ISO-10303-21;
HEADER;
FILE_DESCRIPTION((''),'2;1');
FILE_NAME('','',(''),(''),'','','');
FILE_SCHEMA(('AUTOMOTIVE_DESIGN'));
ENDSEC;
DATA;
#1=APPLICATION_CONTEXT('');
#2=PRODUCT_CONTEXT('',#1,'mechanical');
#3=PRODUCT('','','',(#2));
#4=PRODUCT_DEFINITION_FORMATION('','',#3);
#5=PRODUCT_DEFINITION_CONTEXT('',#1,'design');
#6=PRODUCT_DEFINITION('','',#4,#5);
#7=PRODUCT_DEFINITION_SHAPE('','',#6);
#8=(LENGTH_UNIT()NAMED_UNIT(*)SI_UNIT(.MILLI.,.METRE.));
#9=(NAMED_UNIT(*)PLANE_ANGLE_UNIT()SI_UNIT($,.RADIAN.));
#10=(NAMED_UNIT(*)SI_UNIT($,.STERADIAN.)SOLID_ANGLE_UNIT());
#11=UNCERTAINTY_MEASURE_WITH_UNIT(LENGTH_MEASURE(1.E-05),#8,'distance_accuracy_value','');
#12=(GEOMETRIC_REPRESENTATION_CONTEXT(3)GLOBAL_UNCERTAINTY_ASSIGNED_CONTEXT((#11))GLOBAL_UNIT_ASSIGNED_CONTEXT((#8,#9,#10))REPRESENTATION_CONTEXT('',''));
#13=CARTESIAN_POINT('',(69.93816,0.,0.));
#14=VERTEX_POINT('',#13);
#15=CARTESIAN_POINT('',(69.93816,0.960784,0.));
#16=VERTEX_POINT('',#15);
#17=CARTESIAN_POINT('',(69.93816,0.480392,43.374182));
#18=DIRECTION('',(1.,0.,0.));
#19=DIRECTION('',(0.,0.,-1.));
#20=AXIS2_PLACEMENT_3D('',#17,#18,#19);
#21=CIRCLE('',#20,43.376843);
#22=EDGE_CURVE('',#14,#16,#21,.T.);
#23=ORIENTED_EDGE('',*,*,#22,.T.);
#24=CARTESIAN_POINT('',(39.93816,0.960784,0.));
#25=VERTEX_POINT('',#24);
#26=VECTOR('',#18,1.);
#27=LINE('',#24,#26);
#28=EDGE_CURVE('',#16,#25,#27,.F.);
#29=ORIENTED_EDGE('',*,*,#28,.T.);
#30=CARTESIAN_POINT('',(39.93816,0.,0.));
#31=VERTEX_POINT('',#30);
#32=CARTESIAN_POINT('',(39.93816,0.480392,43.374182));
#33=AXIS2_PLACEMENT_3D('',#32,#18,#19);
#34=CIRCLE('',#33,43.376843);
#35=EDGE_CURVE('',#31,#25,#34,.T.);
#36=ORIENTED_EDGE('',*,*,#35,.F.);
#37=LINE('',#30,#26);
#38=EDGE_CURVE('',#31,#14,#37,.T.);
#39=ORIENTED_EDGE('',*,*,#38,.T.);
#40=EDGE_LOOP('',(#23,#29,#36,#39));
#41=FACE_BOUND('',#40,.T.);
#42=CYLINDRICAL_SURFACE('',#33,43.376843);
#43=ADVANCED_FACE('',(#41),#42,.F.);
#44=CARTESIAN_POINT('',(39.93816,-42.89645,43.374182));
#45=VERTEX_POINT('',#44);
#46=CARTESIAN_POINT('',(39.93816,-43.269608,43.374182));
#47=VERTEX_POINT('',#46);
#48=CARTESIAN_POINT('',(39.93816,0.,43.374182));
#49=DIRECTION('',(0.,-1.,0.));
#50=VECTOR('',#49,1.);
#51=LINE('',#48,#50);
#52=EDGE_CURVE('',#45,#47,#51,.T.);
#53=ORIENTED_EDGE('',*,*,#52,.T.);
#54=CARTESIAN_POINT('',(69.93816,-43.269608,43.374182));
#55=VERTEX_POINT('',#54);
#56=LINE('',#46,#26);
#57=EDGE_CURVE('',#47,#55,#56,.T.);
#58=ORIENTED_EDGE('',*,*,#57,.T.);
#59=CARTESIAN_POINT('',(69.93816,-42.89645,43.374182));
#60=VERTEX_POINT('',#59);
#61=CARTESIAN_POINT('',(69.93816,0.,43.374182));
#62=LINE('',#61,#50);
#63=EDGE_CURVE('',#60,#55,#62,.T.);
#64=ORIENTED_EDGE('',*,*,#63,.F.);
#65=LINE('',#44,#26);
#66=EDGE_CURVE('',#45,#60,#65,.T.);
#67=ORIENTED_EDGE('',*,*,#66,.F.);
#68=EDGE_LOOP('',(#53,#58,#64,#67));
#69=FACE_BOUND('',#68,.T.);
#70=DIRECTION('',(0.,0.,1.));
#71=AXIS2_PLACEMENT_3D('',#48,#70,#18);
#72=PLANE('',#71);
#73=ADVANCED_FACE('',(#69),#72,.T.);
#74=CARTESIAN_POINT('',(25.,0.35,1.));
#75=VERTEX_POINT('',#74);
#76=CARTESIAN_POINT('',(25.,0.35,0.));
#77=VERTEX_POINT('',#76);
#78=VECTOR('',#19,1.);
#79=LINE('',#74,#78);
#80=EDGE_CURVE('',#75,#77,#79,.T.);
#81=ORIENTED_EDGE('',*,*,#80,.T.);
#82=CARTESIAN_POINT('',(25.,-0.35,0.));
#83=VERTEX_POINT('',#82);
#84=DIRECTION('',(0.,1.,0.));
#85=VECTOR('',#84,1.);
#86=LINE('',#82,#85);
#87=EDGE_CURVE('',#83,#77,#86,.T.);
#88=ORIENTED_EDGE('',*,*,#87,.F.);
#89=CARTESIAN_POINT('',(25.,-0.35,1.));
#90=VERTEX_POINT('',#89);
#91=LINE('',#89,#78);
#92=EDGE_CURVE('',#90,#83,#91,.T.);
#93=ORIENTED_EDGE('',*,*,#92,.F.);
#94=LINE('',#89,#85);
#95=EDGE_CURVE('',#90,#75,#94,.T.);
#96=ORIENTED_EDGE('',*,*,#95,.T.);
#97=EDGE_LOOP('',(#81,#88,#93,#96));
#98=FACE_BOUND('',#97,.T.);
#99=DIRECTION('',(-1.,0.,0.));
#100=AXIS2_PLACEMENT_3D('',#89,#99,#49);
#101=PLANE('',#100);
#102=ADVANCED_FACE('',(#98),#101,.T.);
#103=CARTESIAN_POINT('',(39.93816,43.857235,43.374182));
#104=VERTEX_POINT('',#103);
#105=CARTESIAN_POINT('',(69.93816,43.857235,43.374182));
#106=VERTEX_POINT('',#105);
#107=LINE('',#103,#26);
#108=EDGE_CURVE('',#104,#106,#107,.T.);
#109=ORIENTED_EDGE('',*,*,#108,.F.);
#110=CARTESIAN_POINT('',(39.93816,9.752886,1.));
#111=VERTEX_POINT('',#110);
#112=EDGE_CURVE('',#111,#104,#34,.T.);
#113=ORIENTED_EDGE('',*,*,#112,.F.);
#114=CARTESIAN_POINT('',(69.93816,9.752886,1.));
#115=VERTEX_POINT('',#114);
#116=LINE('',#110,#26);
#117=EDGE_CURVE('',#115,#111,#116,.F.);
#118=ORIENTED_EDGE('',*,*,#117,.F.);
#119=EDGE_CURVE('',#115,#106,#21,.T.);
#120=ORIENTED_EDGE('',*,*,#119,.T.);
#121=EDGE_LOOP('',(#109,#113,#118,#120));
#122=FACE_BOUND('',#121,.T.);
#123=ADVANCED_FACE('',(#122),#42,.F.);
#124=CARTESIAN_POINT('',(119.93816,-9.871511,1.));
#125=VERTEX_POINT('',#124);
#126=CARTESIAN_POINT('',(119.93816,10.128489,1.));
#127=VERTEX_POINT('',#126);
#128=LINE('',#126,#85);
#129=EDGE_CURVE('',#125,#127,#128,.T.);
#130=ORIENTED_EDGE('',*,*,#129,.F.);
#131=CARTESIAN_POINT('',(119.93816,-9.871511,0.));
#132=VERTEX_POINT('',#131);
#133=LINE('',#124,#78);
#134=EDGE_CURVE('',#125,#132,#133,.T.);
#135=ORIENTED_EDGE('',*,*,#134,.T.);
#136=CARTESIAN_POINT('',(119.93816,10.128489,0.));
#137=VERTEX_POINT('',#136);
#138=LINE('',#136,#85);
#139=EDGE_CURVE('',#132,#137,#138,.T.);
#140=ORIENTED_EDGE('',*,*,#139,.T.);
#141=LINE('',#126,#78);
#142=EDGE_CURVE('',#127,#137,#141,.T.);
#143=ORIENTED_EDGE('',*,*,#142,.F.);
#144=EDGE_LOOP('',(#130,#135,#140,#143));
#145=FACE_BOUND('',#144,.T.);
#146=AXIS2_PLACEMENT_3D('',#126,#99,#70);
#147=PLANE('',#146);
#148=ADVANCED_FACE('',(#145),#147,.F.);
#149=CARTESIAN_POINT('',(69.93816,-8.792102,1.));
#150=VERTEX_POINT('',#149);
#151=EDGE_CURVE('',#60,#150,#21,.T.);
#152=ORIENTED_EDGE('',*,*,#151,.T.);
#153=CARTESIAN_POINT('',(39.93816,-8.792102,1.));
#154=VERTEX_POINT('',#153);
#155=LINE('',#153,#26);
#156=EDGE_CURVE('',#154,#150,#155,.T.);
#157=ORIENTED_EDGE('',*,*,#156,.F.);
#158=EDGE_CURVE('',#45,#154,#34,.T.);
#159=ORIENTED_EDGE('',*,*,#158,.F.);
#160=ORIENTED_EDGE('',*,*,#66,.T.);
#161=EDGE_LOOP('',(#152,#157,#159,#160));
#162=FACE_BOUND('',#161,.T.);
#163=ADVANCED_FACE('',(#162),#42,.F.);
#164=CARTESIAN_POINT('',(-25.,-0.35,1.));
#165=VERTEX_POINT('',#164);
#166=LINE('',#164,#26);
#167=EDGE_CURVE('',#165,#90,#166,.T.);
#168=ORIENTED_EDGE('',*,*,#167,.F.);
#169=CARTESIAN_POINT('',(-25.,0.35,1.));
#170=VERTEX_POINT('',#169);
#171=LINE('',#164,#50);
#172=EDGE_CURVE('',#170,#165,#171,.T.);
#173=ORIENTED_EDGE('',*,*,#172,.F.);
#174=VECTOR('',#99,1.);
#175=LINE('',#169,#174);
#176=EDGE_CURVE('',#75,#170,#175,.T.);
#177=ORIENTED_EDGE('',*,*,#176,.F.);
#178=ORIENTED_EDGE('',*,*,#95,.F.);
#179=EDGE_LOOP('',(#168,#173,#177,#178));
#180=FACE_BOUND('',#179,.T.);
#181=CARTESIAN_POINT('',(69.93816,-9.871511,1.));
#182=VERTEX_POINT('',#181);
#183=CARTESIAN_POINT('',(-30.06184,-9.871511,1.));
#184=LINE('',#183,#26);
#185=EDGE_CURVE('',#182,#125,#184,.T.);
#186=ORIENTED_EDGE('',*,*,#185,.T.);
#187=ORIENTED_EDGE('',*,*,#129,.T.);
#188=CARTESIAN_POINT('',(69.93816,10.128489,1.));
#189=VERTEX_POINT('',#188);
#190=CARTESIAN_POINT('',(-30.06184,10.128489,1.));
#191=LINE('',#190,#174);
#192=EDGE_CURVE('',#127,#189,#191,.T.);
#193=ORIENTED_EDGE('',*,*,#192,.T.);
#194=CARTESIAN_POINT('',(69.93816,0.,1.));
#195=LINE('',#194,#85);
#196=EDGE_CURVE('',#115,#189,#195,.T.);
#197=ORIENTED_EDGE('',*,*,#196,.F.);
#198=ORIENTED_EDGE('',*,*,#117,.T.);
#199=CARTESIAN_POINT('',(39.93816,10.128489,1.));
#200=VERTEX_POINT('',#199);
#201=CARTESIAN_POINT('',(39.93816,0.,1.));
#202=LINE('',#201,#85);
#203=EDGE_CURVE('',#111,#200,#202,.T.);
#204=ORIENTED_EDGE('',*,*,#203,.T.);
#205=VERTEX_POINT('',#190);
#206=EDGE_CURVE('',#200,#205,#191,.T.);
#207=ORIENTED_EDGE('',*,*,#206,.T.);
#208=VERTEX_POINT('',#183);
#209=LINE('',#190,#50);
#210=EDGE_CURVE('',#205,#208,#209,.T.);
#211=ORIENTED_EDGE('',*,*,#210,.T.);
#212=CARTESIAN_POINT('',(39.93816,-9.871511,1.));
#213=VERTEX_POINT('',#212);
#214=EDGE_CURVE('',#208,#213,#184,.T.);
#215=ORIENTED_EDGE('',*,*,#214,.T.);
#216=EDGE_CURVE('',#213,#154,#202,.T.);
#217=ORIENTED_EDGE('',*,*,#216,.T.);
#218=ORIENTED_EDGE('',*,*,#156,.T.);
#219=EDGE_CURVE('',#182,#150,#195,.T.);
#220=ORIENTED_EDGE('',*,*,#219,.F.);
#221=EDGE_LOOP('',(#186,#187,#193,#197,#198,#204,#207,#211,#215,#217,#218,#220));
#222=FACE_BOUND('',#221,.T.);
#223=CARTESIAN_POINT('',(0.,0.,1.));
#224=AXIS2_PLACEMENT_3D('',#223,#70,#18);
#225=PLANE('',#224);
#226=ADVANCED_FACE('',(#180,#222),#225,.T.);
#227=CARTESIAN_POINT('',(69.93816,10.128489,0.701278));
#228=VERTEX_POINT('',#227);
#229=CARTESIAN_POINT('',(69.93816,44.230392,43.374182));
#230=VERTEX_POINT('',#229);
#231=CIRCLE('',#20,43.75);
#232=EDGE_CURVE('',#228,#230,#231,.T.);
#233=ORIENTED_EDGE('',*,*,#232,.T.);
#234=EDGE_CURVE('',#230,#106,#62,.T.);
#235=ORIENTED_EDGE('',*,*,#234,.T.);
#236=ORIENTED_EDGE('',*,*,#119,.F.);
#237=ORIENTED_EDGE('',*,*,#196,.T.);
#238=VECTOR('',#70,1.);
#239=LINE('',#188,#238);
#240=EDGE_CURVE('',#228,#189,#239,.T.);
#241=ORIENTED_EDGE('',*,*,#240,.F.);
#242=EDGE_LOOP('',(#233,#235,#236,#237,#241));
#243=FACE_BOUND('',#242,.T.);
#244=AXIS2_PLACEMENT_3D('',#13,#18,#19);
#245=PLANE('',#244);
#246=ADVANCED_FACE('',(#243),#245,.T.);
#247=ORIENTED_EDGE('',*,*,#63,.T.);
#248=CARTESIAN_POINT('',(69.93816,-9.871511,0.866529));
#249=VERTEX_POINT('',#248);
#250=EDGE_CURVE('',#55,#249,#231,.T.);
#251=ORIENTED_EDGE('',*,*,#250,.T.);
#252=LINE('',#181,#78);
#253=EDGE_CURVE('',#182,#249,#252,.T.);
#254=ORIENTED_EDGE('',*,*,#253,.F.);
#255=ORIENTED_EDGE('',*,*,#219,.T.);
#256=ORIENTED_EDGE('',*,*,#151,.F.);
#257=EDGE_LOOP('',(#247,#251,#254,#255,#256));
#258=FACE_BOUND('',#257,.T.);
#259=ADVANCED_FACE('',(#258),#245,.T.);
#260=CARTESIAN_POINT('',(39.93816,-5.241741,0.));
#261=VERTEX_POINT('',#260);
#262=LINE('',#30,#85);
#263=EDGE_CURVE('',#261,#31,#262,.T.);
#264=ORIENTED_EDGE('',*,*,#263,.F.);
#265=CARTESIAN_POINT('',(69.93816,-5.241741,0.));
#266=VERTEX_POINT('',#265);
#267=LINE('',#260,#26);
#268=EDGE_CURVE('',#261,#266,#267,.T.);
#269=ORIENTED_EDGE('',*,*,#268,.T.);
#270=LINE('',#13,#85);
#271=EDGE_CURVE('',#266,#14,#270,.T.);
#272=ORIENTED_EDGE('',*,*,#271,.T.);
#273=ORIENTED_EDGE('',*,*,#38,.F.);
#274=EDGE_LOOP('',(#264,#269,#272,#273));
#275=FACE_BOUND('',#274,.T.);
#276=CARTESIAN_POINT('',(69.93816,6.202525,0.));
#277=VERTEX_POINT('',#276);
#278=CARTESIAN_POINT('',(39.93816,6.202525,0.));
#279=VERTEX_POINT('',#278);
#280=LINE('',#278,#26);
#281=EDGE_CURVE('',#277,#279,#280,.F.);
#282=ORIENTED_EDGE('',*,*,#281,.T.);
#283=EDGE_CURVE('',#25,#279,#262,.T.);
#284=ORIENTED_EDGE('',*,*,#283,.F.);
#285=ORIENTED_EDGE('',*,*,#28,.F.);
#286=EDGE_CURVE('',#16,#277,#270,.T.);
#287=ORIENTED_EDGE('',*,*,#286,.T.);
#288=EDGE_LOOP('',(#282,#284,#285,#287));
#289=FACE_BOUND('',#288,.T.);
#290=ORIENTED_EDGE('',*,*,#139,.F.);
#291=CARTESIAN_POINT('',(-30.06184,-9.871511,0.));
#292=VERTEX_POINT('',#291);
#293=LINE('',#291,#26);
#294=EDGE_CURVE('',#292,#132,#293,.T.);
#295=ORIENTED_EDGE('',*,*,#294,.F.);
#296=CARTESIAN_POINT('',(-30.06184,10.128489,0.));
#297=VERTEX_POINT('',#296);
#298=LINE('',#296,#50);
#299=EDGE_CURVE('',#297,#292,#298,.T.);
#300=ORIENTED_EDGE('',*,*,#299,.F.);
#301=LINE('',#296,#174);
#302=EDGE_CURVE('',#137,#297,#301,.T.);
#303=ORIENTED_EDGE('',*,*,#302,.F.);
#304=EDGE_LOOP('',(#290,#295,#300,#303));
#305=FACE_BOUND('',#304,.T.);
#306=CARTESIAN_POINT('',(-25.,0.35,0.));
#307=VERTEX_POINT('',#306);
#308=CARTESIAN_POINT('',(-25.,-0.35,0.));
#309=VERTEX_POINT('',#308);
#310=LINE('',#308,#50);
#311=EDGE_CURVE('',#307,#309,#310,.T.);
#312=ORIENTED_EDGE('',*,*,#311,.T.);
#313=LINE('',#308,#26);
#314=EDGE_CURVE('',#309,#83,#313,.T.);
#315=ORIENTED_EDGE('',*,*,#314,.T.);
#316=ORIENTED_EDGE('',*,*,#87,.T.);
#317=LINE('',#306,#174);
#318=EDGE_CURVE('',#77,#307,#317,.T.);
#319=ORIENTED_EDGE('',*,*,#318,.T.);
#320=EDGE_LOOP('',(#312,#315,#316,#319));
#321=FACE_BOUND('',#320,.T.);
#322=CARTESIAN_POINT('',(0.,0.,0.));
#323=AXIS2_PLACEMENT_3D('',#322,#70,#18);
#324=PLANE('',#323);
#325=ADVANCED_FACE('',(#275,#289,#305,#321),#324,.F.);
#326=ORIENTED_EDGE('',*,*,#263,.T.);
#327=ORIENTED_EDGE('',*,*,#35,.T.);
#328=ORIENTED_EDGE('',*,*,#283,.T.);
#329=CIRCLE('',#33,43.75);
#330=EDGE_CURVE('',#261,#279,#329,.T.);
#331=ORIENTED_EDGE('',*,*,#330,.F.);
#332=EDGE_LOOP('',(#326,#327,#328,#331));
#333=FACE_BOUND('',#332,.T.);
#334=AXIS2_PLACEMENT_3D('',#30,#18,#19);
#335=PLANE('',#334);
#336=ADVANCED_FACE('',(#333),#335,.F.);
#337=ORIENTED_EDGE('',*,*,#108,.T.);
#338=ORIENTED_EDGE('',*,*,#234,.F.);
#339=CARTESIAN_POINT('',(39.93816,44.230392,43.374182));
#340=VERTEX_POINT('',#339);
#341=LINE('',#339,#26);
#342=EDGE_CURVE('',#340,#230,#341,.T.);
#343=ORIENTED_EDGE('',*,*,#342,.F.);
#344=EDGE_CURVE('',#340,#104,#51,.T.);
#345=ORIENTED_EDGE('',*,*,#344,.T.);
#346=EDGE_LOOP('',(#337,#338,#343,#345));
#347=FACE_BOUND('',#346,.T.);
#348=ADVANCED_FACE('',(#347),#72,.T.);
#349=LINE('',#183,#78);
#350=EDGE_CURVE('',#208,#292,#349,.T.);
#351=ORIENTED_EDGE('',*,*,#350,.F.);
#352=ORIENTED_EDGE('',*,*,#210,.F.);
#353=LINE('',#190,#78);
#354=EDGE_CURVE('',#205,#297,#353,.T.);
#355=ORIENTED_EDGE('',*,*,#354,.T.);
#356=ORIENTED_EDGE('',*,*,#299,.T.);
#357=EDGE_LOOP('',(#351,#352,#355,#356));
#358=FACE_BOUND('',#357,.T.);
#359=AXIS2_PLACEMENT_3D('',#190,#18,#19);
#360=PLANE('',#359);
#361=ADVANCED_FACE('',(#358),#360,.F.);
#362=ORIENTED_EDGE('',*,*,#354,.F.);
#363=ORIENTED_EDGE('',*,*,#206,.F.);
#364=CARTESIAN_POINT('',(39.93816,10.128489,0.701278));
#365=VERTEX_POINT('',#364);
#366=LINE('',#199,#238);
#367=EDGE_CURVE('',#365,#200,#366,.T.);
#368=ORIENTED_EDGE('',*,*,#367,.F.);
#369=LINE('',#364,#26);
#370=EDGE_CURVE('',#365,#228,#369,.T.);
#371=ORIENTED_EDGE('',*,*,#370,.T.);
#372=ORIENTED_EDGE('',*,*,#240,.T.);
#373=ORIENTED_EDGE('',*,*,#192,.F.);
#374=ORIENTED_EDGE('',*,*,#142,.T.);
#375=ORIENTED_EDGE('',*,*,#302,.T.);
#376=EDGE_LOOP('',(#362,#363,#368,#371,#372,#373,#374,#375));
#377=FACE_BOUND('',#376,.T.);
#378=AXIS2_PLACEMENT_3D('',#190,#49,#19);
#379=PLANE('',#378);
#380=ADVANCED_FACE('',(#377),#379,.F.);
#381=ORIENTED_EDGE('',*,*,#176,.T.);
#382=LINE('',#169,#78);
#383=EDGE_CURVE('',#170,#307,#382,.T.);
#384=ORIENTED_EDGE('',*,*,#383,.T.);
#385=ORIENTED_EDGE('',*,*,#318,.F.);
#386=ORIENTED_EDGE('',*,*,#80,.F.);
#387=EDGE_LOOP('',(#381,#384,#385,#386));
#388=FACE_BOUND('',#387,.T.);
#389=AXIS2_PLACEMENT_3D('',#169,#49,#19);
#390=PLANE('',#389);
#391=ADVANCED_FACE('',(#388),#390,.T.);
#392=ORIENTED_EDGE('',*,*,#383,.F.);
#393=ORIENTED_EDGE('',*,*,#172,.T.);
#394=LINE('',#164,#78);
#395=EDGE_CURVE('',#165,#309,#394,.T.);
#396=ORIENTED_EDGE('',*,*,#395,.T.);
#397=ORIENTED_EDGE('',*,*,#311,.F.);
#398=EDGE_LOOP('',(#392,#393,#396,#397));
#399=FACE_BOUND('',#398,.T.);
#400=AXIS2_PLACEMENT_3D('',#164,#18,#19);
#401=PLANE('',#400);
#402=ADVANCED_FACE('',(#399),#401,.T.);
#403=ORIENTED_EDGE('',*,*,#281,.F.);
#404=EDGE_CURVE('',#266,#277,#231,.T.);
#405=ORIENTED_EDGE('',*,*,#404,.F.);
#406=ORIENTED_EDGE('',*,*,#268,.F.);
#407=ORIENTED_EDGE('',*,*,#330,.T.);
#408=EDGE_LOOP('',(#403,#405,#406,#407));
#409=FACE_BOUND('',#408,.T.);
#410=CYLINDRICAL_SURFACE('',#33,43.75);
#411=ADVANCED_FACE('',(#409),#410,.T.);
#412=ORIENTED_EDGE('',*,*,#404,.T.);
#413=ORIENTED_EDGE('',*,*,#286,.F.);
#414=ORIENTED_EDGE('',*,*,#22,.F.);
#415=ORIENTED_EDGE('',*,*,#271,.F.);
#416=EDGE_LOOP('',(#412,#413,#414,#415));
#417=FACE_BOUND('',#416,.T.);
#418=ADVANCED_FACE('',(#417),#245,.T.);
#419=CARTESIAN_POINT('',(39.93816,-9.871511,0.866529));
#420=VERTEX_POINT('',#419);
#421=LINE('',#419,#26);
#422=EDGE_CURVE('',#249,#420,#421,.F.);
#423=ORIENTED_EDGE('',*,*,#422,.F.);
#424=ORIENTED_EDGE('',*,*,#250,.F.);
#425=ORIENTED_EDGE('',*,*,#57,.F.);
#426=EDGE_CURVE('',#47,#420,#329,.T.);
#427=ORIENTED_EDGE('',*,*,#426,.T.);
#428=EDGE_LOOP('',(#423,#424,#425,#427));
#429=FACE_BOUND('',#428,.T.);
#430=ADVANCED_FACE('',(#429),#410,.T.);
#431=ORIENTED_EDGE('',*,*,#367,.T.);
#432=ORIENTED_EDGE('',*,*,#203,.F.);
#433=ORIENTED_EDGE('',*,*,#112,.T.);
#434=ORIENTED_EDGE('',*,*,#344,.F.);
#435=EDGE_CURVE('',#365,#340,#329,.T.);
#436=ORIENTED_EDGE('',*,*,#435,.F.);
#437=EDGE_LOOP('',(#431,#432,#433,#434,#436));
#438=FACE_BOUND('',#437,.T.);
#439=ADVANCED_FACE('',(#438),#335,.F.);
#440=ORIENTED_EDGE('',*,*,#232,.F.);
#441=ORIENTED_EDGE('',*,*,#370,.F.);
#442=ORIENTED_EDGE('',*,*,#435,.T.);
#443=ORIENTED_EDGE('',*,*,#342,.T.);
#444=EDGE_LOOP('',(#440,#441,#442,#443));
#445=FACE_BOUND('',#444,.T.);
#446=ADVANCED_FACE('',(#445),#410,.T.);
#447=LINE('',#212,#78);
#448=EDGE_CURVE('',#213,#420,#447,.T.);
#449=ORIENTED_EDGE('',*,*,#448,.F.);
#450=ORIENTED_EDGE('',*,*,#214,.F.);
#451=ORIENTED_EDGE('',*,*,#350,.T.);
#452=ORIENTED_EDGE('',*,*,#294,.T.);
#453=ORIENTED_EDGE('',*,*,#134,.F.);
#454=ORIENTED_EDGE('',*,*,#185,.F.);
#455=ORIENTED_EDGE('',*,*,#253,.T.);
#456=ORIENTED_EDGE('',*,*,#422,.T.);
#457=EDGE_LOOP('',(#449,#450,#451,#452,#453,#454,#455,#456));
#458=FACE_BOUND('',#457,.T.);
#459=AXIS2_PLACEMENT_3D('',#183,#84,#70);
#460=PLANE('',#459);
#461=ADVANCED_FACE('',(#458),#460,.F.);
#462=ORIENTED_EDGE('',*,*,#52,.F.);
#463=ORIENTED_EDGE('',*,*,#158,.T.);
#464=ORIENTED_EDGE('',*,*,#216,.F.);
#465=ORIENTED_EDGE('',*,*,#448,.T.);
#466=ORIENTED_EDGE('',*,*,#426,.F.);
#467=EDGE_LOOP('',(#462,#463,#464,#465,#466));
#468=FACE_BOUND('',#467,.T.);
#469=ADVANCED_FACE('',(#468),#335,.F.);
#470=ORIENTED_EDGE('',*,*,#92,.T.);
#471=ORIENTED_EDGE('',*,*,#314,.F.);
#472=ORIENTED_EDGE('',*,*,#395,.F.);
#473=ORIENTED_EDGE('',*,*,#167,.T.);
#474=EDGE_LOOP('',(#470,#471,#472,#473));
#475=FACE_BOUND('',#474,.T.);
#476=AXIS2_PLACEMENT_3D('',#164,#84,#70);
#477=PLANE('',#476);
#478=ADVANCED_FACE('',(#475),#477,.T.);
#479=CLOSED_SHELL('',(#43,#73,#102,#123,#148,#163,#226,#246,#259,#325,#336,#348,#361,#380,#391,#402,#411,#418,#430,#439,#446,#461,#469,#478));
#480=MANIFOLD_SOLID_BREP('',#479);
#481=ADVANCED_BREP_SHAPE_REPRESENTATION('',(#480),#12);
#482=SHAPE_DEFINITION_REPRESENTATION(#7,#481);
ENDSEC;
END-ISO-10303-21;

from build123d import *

# Parameters (mm, degrees)
SZKIC4_W                    = 150
SZKIC4_H                    = 20
SZKIC4_W_2                  = 50
SZKIC4_H_2                  = 0.7
DODANIE_WYCI_GNI_CIE1_DEPTH = 1
DODANIE_WYCI_GNI_CIE2_DEPTH = 30


with BuildPart() as part:
    # Szkic4 → Dodanie-wyciągnięcie1 (new body)
    with BuildSketch(Plane.XY):
        with Locations((44.938160122, 0.128489408)):
            Rectangle(SZKIC4_W, SZKIC4_H)
        Rectangle(SZKIC4_W_2, SZKIC4_H_2, mode=Mode.SUBTRACT)
    extrude(amount=DODANIE_WYCI_GNI_CIE1_DEPTH)

    # Szkic8 → Dodanie-wyciągnięcie2 (add)
    with BuildSketch(Plane(origin=(69.938160122, 0, 0), x_dir=(0, 0, -1), z_dir=(1, 0, 0))):
        with BuildLine():
            ThreePointArc((0.375817697, 0.480392187), (-12.438260626, 31.416313864), (-43.374182303, 44.230392187))
            Line((-43.374182303, 44.230392187), (-43.374182303, 43.857234708))
            ThreePointArc((-43.374182303, 43.857234708), (-12.70212281, 31.15245168), (0.002660218, 0.480392187))
            ThreePointArc((0.002660218, 0.480392187), (-12.70212281, -30.191667306), (-43.374182303, -42.896450334))
            Line((-43.374182303, -42.896450334), (-43.374182303, -43.269607813))
            ThreePointArc((-43.374182303, -43.269607813), (-12.438260626, -30.45552949), (0.375817697, 0.480392187))
        make_face()
    extrude(amount=-DODANIE_WYCI_GNI_CIE2_DEPTH)


solid = part.part
